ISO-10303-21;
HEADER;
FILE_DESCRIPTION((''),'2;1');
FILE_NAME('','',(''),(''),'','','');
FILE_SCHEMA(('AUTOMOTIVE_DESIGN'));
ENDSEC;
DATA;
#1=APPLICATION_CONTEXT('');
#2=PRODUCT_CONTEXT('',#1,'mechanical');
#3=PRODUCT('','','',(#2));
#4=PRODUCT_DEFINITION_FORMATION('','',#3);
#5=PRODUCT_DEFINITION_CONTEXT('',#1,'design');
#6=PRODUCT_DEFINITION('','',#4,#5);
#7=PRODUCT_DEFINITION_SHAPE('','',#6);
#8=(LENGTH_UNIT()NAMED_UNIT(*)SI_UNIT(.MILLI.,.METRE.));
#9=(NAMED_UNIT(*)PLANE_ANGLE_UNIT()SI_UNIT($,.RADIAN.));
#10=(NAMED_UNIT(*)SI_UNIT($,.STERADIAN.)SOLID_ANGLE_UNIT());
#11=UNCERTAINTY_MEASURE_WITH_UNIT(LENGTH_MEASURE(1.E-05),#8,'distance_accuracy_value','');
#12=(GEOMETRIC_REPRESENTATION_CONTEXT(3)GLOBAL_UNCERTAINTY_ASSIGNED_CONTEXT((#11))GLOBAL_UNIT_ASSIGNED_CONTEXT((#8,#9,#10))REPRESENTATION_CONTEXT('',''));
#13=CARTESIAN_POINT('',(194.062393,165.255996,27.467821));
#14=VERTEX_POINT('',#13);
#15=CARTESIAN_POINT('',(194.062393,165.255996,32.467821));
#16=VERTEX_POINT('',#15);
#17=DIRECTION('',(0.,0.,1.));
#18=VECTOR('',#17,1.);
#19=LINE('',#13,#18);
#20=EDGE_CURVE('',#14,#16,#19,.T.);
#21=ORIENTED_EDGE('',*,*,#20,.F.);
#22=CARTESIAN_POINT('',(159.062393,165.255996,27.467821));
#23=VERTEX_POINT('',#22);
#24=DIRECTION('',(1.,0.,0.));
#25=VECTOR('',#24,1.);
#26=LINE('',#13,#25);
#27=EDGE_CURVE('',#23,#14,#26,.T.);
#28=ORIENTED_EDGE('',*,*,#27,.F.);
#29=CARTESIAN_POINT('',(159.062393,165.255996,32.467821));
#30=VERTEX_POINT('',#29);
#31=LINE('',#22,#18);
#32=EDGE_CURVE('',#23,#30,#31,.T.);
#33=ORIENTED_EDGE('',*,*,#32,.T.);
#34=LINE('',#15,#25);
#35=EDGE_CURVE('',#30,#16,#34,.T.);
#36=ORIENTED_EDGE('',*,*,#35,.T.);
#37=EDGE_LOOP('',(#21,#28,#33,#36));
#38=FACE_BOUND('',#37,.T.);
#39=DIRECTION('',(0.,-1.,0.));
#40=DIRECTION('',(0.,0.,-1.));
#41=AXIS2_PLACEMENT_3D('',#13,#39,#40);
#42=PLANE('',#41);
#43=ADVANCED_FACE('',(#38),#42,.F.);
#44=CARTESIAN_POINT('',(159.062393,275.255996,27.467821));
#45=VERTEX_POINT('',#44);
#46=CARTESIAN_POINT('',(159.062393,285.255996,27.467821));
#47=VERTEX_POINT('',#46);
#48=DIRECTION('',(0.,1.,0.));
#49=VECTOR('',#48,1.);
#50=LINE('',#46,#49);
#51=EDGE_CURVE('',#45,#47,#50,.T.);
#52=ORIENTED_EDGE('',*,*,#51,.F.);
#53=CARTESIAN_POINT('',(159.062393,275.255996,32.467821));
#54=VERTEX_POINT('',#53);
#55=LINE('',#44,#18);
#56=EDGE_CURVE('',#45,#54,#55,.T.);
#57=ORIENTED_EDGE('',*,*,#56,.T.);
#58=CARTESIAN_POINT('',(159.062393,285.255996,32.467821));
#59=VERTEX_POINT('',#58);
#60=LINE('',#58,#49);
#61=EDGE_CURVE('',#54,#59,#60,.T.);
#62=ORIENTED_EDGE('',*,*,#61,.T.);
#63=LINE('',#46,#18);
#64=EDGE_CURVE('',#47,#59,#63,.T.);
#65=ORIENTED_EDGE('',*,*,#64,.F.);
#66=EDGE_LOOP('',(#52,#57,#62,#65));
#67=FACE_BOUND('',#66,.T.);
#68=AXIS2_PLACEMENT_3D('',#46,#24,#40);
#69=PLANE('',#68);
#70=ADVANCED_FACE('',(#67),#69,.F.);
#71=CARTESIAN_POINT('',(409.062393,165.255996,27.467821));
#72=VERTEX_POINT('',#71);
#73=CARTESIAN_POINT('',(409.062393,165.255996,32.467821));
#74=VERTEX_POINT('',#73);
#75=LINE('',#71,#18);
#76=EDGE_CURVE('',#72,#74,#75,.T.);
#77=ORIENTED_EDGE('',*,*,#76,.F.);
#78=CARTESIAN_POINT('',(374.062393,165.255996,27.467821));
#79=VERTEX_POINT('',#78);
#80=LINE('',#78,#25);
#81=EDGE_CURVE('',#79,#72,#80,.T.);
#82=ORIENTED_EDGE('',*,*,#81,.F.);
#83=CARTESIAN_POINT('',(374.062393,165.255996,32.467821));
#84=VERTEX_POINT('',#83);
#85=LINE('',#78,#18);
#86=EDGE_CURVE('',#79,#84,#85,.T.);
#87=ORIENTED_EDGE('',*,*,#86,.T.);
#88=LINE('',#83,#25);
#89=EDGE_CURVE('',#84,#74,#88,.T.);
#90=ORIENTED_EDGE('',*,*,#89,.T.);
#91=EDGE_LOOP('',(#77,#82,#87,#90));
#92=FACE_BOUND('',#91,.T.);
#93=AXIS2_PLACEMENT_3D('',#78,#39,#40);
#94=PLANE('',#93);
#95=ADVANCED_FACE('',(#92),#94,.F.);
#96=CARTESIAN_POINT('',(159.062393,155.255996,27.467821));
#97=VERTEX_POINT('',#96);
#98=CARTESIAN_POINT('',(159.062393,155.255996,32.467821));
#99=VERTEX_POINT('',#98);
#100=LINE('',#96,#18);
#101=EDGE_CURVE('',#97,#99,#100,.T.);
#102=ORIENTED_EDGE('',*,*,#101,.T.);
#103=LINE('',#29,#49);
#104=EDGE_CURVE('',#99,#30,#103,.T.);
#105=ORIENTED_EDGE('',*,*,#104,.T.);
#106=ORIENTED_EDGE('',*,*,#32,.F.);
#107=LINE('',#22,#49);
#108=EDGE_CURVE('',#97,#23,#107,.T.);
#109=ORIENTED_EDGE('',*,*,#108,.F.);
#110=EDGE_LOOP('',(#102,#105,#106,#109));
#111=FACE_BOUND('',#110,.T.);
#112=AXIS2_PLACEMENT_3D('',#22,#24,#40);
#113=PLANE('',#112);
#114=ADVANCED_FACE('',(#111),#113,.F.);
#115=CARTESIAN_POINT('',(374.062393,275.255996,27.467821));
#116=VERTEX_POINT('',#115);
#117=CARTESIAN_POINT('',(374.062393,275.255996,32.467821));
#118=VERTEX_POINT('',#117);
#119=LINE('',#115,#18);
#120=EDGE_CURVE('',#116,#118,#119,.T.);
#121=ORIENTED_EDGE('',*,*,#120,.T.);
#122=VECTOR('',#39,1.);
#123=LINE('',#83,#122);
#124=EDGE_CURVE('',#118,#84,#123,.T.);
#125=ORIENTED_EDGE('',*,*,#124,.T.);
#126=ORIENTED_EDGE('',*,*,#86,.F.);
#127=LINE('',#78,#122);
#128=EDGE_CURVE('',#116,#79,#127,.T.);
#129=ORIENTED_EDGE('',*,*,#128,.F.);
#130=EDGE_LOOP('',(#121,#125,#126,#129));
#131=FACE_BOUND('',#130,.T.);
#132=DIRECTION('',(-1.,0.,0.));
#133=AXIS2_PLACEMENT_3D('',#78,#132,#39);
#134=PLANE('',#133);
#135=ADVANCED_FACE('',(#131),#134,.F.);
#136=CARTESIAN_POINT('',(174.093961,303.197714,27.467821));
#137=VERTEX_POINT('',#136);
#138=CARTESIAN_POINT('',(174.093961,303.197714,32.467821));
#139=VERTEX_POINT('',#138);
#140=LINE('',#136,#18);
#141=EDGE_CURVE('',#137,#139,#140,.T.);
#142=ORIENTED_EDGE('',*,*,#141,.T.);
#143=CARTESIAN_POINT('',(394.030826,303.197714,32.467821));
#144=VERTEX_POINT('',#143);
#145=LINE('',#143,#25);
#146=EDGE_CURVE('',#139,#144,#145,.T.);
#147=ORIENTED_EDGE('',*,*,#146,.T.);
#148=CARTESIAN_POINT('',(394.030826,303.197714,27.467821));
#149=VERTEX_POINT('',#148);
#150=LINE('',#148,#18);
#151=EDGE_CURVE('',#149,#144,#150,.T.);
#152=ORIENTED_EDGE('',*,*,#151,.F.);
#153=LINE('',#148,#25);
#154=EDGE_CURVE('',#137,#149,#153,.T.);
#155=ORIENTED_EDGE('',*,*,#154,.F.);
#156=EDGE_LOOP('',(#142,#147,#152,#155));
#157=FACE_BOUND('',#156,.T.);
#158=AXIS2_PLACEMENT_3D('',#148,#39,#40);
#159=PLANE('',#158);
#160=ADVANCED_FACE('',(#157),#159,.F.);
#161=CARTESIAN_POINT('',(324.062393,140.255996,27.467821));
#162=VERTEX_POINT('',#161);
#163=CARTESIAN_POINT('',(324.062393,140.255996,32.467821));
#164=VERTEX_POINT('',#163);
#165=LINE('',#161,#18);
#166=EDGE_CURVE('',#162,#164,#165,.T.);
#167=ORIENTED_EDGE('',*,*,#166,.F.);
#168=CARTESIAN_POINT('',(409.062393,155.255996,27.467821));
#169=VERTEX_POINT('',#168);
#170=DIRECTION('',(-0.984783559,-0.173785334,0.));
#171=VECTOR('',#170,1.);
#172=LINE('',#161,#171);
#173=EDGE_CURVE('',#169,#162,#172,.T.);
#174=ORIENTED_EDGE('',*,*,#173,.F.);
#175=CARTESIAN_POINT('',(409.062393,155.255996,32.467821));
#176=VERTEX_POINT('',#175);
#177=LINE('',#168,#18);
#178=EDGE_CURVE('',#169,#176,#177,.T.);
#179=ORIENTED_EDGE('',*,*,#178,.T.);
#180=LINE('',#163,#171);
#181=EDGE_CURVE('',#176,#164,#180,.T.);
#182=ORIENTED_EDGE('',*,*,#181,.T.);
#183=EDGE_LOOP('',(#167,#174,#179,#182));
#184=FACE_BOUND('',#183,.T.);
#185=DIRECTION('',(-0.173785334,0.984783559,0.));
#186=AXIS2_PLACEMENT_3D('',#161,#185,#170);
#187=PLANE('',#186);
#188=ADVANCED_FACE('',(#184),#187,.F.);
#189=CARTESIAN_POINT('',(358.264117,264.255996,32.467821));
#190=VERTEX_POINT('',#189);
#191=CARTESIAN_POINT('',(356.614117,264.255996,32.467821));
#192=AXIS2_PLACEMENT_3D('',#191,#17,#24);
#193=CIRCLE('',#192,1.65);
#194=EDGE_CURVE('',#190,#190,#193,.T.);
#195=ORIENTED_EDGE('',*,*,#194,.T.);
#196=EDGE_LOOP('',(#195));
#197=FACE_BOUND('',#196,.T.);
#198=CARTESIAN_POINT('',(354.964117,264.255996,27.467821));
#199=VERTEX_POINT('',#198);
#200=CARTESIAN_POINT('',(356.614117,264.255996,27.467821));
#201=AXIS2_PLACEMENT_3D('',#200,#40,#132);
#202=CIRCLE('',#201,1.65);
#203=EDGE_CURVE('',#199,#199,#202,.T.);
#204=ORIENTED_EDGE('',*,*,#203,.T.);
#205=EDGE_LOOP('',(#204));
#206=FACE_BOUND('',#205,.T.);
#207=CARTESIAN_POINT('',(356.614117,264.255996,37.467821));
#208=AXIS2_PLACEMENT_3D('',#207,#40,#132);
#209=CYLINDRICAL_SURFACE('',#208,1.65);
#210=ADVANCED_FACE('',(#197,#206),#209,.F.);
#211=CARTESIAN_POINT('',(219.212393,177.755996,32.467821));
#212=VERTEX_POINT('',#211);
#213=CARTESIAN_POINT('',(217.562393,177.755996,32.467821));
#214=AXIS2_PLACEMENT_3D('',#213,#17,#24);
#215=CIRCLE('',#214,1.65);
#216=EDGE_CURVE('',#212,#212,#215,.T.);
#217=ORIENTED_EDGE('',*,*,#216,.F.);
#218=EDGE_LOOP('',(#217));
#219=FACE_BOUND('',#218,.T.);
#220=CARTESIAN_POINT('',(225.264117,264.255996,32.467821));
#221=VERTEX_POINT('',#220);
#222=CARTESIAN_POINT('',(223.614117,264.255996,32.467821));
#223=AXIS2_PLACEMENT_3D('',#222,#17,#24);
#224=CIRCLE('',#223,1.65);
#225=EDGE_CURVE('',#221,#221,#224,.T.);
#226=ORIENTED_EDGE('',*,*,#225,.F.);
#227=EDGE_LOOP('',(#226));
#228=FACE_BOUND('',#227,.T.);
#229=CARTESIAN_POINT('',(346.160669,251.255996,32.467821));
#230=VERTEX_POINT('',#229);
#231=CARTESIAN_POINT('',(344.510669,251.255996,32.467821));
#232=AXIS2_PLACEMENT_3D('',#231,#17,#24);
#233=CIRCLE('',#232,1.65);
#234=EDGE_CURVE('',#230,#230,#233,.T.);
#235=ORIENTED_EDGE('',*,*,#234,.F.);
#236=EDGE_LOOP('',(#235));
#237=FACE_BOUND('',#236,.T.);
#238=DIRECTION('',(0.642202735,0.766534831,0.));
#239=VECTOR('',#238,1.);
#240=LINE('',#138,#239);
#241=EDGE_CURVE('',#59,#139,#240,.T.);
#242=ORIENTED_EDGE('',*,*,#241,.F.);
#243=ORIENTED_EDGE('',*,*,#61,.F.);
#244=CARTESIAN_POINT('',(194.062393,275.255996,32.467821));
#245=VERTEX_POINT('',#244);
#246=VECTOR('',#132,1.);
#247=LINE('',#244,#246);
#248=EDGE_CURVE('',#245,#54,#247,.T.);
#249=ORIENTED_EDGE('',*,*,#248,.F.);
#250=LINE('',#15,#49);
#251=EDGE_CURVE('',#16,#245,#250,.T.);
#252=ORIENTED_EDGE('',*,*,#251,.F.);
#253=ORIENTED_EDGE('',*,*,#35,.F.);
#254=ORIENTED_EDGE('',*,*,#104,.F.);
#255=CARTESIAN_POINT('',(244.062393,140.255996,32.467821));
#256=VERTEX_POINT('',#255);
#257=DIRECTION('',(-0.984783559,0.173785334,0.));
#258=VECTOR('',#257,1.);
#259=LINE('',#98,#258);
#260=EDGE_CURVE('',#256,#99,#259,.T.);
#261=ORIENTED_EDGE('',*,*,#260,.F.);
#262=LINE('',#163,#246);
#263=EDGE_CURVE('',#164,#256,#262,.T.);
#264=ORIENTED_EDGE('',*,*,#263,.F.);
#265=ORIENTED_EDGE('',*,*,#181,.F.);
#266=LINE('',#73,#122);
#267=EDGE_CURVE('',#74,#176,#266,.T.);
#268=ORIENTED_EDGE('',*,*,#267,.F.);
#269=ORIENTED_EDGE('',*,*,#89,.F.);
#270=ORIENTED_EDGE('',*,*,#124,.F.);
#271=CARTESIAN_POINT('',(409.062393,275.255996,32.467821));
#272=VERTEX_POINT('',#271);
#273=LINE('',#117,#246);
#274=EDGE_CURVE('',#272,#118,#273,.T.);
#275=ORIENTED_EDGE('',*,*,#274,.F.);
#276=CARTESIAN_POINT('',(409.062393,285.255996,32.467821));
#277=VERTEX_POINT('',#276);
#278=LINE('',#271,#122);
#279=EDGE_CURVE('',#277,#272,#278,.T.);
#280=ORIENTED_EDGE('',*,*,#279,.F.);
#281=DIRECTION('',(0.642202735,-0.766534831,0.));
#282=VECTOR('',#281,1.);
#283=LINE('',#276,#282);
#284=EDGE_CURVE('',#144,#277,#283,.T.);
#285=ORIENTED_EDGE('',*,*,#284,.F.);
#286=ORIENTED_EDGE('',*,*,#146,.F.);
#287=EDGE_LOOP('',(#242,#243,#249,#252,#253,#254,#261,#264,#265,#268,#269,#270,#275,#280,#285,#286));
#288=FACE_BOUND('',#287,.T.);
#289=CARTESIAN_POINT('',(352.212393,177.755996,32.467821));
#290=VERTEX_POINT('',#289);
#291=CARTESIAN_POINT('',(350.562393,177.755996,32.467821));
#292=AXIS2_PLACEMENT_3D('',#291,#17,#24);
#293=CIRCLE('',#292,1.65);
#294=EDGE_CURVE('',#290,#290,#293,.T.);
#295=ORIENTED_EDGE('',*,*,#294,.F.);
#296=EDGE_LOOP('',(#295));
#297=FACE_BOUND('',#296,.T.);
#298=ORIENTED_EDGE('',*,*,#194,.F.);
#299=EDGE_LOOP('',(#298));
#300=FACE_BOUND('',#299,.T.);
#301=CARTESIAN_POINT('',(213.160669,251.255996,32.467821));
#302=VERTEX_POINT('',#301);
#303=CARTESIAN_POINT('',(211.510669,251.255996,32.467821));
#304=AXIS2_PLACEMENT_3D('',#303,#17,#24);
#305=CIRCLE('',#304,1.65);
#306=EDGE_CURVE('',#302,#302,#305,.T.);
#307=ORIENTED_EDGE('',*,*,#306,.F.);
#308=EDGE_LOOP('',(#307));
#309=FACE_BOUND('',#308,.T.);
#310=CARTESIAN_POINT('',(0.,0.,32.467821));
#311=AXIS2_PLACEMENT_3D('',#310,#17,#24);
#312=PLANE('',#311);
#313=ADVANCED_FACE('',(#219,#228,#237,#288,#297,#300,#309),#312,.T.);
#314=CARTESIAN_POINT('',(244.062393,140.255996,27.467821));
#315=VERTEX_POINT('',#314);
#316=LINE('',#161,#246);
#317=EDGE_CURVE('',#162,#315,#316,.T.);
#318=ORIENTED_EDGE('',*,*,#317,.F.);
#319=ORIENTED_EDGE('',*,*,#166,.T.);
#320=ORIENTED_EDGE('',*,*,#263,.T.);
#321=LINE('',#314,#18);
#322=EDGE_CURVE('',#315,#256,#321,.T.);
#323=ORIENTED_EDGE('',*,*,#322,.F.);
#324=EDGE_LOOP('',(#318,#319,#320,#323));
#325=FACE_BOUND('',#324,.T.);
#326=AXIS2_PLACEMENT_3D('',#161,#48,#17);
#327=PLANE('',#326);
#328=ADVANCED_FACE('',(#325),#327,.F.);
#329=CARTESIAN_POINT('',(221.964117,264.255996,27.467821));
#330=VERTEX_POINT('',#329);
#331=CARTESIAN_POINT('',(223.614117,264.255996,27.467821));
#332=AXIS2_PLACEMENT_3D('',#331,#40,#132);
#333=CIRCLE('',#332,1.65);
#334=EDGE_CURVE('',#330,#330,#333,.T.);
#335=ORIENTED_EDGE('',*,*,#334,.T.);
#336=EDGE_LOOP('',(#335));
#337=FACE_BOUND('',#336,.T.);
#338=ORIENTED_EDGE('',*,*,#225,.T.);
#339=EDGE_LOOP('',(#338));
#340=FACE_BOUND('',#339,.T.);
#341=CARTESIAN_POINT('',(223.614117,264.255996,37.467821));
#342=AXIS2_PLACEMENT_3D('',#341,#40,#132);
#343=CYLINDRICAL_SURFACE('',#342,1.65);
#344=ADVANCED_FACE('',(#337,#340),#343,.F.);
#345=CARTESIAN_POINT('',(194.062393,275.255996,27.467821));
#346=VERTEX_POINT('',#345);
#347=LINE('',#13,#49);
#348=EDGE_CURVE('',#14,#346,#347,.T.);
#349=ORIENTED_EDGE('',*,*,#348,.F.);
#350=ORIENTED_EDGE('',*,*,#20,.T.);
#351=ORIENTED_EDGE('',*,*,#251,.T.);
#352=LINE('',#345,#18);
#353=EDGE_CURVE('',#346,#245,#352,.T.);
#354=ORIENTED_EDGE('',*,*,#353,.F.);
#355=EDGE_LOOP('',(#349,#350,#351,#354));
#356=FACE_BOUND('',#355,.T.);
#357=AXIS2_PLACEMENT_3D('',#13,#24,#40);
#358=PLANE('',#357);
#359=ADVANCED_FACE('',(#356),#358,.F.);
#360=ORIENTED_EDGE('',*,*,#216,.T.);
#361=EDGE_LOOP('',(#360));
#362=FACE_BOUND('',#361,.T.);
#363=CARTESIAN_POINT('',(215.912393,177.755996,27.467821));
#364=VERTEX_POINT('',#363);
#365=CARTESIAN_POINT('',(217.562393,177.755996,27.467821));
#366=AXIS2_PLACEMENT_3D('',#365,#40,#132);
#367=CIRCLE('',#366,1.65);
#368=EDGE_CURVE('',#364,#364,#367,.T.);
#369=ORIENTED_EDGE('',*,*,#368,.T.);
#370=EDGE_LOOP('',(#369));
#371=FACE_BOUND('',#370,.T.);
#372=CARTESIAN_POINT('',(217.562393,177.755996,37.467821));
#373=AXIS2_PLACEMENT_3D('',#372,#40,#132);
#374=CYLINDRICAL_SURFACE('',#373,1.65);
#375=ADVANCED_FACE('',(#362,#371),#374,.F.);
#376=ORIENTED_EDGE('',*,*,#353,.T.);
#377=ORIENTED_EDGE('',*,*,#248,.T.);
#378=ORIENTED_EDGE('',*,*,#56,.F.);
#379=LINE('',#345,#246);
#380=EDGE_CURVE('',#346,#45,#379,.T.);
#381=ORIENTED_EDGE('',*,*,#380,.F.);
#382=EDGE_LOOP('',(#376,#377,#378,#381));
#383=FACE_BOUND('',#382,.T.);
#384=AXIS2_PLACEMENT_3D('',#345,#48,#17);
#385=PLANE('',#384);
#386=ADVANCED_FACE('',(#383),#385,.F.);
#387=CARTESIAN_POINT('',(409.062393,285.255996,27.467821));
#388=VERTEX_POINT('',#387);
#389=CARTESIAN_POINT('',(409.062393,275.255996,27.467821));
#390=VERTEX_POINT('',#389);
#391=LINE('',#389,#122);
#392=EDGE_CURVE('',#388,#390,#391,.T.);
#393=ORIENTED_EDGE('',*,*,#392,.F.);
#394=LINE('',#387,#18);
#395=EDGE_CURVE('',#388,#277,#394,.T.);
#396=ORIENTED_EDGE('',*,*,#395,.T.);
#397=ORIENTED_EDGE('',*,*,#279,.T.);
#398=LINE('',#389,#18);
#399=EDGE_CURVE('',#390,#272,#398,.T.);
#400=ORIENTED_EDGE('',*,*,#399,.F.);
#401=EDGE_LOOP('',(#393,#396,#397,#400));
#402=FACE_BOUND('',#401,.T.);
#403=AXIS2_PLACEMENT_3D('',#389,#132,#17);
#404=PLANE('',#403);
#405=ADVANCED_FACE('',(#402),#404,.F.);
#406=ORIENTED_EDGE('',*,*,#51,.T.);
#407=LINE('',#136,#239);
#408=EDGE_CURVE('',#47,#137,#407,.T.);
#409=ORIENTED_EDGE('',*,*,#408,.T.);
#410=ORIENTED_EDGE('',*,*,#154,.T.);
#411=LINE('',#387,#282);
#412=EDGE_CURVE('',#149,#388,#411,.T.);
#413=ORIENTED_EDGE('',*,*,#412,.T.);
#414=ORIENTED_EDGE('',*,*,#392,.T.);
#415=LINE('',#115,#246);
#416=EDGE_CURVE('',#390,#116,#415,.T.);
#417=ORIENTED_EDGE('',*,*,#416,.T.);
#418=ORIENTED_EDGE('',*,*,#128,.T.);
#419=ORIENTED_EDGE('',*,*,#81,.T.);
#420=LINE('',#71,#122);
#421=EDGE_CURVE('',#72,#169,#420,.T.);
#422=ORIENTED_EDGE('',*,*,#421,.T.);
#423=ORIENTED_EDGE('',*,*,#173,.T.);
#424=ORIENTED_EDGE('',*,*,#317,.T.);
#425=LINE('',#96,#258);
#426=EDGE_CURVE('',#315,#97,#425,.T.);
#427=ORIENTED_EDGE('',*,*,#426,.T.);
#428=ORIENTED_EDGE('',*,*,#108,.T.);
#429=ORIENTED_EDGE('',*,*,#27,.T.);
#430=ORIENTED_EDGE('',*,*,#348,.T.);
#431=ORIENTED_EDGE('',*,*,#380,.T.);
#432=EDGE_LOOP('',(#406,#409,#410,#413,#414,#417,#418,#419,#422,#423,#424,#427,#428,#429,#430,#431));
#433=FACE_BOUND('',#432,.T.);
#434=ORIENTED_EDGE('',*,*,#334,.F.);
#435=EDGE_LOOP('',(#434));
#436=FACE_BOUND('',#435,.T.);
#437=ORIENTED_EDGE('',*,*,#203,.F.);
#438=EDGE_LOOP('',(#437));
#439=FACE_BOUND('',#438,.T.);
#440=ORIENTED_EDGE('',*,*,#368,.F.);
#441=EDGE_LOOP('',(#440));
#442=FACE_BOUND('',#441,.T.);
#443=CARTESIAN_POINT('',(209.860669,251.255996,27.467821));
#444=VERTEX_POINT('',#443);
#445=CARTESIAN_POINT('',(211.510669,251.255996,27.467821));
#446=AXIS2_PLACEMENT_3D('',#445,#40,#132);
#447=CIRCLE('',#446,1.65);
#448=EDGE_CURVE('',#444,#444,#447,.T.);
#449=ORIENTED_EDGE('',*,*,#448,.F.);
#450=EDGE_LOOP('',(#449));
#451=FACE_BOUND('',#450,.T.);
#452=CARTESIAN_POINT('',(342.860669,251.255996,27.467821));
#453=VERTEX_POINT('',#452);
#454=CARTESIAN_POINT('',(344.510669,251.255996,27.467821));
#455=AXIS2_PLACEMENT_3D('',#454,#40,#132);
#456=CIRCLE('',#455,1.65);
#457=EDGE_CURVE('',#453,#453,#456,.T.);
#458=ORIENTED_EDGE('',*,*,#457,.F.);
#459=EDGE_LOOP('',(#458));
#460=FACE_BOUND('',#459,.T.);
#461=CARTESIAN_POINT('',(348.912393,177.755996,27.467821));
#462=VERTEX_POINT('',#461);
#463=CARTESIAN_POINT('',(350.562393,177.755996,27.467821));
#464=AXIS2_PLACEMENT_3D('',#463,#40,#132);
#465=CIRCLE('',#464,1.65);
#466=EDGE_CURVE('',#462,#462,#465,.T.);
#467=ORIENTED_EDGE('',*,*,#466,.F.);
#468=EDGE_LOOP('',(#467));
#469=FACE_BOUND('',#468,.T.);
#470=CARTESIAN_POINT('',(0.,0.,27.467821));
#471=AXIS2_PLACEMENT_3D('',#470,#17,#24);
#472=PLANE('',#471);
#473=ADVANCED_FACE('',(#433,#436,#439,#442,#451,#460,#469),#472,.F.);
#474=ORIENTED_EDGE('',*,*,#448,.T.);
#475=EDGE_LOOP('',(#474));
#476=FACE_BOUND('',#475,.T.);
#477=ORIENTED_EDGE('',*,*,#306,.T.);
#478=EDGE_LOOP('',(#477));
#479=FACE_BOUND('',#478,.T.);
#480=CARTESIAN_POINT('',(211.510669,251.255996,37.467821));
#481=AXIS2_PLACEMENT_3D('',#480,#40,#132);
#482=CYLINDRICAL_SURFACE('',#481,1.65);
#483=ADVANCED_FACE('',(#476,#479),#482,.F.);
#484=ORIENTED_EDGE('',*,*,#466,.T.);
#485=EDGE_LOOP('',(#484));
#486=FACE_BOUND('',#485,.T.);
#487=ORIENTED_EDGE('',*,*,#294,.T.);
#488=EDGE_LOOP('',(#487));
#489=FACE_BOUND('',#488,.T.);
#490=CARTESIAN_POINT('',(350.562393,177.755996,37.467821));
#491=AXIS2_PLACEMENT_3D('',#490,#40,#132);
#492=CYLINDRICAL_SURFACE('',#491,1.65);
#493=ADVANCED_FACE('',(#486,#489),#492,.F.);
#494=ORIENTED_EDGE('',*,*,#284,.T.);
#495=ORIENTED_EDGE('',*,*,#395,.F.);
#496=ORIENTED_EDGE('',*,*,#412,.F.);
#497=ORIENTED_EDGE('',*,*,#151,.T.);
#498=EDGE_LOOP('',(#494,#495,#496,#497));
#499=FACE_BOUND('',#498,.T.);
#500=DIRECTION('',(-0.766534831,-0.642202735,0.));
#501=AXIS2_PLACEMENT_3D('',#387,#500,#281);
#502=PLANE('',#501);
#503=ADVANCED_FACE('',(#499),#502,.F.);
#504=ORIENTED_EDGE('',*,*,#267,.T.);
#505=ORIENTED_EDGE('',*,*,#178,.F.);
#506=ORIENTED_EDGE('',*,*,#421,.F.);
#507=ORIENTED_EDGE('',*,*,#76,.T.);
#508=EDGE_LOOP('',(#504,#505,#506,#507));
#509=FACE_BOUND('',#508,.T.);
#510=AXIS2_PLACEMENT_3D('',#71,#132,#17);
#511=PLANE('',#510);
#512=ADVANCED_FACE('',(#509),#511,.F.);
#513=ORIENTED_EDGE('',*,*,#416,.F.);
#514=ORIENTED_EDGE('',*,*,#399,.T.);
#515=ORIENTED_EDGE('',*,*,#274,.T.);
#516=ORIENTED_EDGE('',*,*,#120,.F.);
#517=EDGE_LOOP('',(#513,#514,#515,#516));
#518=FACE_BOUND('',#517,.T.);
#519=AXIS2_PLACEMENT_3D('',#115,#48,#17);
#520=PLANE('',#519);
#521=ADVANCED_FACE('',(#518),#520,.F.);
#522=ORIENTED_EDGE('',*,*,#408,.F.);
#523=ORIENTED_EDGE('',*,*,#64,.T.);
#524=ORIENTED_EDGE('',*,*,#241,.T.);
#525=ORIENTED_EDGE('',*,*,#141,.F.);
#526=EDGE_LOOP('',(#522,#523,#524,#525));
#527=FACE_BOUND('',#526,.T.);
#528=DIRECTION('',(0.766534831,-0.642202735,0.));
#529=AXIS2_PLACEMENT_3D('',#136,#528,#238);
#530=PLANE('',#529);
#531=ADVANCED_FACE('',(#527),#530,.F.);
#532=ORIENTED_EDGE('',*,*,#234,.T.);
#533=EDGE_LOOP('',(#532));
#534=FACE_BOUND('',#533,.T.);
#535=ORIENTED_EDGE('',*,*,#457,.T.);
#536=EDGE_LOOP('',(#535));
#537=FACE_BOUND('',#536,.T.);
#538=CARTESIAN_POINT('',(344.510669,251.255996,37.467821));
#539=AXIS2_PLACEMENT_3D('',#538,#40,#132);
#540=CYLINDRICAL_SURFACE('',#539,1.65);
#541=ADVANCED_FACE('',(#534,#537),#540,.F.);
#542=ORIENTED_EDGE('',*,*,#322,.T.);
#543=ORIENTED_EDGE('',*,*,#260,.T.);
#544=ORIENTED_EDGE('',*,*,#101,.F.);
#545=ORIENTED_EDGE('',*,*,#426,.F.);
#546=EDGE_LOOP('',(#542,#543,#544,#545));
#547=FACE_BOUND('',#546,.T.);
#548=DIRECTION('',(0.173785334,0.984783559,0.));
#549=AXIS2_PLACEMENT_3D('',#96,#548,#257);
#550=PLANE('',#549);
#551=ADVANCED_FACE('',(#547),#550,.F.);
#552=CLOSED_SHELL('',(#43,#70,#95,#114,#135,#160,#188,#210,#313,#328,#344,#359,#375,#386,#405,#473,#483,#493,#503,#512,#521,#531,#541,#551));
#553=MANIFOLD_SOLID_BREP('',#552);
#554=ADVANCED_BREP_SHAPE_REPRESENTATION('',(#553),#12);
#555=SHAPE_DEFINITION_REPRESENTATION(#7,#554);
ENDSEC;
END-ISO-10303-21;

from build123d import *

# Parameters (mm, degrees)
EXTRUDE_2_DEPTH     = 5
SKETCH_3_R          = 1.65
CUT_EXTRUDE_1_DEPTH = 10


with BuildPart() as part:
    # Эскиз1 → Бобышка-Вытянуть2 (new body)
    with BuildSketch(Plane(origin=(139.725199601, 79.945164962, 32.467820781), x_dir=(-1, 0, 0), z_dir=(0, 0, -1))):
        Polygon((-54.33719348, 85.310831528), (-54.33719348, 195.310831528), (-19.33719348, 195.310831528), (-19.33719348, 205.310831528), (-34.368760963, 223.252548998), (-254.305625996, 223.252548998), (-269.33719348, 205.310831528), (-269.33719348, 195.310831528), (-234.33719348, 195.310831528), (-234.33719348, 85.310831528), (-269.33719348, 85.310831528), (-269.33719348, 75.310831528), (-184.33719348, 60.310831528), (-104.33719348, 60.310831528), (-19.33719348, 75.310831528), (-19.33719348, 85.310831528), align=None)
    extrude(amount=EXTRUDE_2_DEPTH)

    # Эскиз3 → Вырез-Вытянуть1 (cut)
    with BuildSketch(Plane(origin=(0, 0, 27.467820781), x_dir=(-1, 0, 0), z_dir=(0, 0, -1))):
        with Locations((-217.562393081, 177.75599649)):
            Circle(SKETCH_3_R)
        with Locations((-350.562393081, 177.75599649)):
            Circle(SKETCH_3_R)
        with Locations((-356.614117219, 264.25599649)):
            Circle(SKETCH_3_R)
        with Locations((-344.510668943, 251.25599649)):
            Circle(SKETCH_3_R)
        with Locations((-211.510668943, 251.25599649)):
            Circle(SKETCH_3_R)
        with Locations((-223.614117219, 264.25599649)):
            Circle(SKETCH_3_R)
    extrude(amount=-CUT_EXTRUDE_1_DEPTH, mode=Mode.SUBTRACT)


solid = part.part
